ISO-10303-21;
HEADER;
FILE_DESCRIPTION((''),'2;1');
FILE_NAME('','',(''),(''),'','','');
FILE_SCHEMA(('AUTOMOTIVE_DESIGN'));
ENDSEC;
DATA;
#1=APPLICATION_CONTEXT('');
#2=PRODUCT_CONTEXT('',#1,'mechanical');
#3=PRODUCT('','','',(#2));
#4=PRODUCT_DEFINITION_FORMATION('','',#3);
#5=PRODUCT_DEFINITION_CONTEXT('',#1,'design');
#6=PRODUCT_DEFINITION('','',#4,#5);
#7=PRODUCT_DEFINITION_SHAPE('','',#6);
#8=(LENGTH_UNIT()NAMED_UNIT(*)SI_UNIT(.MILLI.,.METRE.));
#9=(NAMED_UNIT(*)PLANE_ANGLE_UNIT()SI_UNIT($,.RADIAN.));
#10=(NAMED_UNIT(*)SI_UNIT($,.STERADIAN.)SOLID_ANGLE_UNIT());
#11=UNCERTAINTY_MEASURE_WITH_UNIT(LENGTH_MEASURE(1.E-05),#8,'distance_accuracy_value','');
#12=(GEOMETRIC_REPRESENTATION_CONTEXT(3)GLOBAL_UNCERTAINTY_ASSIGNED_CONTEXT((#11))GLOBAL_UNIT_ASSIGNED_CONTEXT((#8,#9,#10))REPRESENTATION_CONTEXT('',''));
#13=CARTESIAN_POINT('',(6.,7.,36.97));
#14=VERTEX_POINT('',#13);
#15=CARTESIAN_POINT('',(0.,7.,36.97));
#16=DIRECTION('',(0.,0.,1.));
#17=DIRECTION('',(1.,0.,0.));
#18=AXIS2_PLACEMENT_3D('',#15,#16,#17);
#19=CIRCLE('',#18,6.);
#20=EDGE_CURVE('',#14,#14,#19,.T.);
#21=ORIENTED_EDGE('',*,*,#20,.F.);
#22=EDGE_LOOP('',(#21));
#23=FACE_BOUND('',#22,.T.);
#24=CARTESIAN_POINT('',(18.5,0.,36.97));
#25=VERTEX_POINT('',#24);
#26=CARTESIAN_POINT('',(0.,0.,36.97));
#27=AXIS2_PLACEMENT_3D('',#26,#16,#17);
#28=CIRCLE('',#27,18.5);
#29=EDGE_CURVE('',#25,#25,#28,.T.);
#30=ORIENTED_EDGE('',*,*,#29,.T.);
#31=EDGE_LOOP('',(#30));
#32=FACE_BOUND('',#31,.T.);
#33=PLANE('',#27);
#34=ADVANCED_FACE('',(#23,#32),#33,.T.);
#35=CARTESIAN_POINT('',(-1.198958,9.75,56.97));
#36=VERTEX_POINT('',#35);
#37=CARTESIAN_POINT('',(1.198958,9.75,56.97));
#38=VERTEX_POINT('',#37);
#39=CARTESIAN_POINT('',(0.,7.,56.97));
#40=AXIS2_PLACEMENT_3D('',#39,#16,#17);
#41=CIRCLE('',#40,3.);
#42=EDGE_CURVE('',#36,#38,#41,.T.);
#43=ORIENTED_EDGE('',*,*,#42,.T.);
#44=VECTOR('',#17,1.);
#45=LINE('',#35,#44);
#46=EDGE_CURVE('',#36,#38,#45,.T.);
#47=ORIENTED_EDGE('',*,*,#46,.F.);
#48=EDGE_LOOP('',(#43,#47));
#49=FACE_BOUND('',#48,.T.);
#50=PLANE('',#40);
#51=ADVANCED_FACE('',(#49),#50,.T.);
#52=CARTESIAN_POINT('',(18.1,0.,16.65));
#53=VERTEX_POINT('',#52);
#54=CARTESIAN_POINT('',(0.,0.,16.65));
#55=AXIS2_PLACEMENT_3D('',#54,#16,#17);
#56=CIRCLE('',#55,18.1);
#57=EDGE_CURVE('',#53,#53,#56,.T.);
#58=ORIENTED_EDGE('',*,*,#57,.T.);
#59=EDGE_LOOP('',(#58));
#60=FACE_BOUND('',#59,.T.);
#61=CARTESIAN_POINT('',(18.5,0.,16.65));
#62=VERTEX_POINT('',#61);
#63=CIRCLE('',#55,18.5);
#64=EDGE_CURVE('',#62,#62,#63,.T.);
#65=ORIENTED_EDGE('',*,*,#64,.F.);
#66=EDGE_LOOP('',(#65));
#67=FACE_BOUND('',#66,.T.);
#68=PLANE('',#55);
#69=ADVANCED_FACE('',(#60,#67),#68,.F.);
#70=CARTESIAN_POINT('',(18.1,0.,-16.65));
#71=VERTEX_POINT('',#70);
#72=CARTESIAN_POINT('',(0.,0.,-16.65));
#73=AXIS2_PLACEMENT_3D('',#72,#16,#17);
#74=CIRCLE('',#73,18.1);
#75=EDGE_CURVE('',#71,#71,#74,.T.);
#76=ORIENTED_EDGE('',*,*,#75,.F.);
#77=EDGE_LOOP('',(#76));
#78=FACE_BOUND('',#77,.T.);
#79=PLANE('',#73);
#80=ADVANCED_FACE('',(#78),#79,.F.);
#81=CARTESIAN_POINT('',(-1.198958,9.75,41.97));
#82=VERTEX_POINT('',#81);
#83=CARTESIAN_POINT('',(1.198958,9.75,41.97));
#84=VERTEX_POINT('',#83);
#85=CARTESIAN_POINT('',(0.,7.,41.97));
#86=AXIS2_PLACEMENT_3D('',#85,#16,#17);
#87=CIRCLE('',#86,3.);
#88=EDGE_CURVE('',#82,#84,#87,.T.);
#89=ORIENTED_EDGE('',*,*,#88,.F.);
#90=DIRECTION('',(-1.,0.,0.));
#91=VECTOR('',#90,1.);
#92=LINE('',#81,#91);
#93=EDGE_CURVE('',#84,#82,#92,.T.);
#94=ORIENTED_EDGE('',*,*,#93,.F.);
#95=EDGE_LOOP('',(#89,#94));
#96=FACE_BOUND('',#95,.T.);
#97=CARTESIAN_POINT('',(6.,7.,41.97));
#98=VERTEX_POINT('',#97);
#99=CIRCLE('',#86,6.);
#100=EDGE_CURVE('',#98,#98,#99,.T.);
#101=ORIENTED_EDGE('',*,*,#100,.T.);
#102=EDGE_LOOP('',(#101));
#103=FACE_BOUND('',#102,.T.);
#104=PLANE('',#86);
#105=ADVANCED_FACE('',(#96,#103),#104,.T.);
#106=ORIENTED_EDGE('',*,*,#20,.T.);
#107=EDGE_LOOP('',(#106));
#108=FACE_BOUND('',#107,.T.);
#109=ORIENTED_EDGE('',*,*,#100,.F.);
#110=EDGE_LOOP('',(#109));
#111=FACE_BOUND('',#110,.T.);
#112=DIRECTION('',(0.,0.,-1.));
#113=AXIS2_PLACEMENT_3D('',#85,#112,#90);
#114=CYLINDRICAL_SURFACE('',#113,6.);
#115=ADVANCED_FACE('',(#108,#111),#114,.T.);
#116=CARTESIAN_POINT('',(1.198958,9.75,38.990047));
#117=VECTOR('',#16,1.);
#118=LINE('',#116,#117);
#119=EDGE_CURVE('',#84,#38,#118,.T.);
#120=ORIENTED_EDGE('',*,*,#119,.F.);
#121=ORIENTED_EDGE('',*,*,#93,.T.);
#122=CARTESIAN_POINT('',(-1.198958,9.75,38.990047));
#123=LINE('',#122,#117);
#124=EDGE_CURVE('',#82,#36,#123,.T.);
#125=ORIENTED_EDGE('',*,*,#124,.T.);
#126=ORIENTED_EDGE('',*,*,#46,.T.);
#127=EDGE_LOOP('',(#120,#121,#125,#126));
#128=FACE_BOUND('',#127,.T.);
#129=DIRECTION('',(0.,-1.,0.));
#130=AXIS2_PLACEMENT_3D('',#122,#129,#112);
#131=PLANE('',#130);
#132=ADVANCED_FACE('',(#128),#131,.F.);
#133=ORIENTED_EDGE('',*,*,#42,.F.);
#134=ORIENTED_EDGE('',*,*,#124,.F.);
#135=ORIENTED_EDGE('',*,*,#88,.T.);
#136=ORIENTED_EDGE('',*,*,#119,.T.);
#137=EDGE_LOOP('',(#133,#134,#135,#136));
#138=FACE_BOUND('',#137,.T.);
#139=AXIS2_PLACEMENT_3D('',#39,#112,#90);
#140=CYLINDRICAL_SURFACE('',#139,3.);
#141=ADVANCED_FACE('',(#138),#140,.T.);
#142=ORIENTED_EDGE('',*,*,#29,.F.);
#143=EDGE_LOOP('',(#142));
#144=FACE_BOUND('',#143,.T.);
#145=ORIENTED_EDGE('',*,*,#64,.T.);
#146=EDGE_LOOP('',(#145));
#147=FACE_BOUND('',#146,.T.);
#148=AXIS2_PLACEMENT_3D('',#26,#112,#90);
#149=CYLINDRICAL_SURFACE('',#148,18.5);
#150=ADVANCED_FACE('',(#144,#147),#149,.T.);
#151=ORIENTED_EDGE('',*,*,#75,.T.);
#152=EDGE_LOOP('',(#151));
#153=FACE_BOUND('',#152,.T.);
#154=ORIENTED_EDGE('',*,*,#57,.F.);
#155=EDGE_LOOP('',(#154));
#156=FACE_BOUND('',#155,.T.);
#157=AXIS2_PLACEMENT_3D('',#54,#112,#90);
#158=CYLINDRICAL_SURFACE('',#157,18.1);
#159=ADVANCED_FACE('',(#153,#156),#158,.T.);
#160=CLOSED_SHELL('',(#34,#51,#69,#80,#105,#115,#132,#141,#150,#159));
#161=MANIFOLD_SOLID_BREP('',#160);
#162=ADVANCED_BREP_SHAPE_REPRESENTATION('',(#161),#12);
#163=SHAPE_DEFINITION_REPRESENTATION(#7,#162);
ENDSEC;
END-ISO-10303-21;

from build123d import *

# Parameters (mm, degrees)
SKETCH1_R           = 18.1
BOSS_EXTRUDE1_DEPTH = 16.65
SKETCH2_R           = 18.5
BOSS_EXTRUDE2_DEPTH = 20.32
SKETCH3_R           = 5.999999938
BOSS_EXTRUDE3_DEPTH = 5
SKETCH4_R           = 3
BOSS_EXTRUDE4_DEPTH = 15
SKETCH5_W           = 2.397915762
SKETCH5_H           = 1.769215018
CUT_EXTRUDE1_DEPTH  = 15


with BuildPart() as part:
    # Sketch1 → Boss-Extrude1 (new, symmetric)
    with BuildSketch(Plane.XY):
        Circle(SKETCH1_R)
    extrude(amount=BOSS_EXTRUDE1_DEPTH, both=True)

    # Sketch2 → Boss-Extrude2 (add)
    with BuildSketch(Plane.XY.offset(16.65)):
        Circle(SKETCH2_R)
    extrude(amount=BOSS_EXTRUDE2_DEPTH)

    # Sketch3 → Boss-Extrude3 (add)
    with BuildSketch(Plane.XY.offset(36.97)):
        with Locations((0, 7)):
            Circle(SKETCH3_R)
    extrude(amount=BOSS_EXTRUDE3_DEPTH)

    # Sketch4 → Boss-Extrude4 (add)
    with BuildSketch(Plane.XY.offset(41.97)):
        with Locations((0, 7)):
            Circle(SKETCH4_R)
    extrude(amount=BOSS_EXTRUDE4_DEPTH)

    # Sketch5 → Cut-Extrude1 (cut)
    with BuildSketch(Plane.XY.offset(56.97)):
        with Locations((0, 10.634607509)):
            Rectangle(SKETCH5_W, SKETCH5_H)
    extrude(amount=-CUT_EXTRUDE1_DEPTH, mode=Mode.SUBTRACT)


solid = part.part
